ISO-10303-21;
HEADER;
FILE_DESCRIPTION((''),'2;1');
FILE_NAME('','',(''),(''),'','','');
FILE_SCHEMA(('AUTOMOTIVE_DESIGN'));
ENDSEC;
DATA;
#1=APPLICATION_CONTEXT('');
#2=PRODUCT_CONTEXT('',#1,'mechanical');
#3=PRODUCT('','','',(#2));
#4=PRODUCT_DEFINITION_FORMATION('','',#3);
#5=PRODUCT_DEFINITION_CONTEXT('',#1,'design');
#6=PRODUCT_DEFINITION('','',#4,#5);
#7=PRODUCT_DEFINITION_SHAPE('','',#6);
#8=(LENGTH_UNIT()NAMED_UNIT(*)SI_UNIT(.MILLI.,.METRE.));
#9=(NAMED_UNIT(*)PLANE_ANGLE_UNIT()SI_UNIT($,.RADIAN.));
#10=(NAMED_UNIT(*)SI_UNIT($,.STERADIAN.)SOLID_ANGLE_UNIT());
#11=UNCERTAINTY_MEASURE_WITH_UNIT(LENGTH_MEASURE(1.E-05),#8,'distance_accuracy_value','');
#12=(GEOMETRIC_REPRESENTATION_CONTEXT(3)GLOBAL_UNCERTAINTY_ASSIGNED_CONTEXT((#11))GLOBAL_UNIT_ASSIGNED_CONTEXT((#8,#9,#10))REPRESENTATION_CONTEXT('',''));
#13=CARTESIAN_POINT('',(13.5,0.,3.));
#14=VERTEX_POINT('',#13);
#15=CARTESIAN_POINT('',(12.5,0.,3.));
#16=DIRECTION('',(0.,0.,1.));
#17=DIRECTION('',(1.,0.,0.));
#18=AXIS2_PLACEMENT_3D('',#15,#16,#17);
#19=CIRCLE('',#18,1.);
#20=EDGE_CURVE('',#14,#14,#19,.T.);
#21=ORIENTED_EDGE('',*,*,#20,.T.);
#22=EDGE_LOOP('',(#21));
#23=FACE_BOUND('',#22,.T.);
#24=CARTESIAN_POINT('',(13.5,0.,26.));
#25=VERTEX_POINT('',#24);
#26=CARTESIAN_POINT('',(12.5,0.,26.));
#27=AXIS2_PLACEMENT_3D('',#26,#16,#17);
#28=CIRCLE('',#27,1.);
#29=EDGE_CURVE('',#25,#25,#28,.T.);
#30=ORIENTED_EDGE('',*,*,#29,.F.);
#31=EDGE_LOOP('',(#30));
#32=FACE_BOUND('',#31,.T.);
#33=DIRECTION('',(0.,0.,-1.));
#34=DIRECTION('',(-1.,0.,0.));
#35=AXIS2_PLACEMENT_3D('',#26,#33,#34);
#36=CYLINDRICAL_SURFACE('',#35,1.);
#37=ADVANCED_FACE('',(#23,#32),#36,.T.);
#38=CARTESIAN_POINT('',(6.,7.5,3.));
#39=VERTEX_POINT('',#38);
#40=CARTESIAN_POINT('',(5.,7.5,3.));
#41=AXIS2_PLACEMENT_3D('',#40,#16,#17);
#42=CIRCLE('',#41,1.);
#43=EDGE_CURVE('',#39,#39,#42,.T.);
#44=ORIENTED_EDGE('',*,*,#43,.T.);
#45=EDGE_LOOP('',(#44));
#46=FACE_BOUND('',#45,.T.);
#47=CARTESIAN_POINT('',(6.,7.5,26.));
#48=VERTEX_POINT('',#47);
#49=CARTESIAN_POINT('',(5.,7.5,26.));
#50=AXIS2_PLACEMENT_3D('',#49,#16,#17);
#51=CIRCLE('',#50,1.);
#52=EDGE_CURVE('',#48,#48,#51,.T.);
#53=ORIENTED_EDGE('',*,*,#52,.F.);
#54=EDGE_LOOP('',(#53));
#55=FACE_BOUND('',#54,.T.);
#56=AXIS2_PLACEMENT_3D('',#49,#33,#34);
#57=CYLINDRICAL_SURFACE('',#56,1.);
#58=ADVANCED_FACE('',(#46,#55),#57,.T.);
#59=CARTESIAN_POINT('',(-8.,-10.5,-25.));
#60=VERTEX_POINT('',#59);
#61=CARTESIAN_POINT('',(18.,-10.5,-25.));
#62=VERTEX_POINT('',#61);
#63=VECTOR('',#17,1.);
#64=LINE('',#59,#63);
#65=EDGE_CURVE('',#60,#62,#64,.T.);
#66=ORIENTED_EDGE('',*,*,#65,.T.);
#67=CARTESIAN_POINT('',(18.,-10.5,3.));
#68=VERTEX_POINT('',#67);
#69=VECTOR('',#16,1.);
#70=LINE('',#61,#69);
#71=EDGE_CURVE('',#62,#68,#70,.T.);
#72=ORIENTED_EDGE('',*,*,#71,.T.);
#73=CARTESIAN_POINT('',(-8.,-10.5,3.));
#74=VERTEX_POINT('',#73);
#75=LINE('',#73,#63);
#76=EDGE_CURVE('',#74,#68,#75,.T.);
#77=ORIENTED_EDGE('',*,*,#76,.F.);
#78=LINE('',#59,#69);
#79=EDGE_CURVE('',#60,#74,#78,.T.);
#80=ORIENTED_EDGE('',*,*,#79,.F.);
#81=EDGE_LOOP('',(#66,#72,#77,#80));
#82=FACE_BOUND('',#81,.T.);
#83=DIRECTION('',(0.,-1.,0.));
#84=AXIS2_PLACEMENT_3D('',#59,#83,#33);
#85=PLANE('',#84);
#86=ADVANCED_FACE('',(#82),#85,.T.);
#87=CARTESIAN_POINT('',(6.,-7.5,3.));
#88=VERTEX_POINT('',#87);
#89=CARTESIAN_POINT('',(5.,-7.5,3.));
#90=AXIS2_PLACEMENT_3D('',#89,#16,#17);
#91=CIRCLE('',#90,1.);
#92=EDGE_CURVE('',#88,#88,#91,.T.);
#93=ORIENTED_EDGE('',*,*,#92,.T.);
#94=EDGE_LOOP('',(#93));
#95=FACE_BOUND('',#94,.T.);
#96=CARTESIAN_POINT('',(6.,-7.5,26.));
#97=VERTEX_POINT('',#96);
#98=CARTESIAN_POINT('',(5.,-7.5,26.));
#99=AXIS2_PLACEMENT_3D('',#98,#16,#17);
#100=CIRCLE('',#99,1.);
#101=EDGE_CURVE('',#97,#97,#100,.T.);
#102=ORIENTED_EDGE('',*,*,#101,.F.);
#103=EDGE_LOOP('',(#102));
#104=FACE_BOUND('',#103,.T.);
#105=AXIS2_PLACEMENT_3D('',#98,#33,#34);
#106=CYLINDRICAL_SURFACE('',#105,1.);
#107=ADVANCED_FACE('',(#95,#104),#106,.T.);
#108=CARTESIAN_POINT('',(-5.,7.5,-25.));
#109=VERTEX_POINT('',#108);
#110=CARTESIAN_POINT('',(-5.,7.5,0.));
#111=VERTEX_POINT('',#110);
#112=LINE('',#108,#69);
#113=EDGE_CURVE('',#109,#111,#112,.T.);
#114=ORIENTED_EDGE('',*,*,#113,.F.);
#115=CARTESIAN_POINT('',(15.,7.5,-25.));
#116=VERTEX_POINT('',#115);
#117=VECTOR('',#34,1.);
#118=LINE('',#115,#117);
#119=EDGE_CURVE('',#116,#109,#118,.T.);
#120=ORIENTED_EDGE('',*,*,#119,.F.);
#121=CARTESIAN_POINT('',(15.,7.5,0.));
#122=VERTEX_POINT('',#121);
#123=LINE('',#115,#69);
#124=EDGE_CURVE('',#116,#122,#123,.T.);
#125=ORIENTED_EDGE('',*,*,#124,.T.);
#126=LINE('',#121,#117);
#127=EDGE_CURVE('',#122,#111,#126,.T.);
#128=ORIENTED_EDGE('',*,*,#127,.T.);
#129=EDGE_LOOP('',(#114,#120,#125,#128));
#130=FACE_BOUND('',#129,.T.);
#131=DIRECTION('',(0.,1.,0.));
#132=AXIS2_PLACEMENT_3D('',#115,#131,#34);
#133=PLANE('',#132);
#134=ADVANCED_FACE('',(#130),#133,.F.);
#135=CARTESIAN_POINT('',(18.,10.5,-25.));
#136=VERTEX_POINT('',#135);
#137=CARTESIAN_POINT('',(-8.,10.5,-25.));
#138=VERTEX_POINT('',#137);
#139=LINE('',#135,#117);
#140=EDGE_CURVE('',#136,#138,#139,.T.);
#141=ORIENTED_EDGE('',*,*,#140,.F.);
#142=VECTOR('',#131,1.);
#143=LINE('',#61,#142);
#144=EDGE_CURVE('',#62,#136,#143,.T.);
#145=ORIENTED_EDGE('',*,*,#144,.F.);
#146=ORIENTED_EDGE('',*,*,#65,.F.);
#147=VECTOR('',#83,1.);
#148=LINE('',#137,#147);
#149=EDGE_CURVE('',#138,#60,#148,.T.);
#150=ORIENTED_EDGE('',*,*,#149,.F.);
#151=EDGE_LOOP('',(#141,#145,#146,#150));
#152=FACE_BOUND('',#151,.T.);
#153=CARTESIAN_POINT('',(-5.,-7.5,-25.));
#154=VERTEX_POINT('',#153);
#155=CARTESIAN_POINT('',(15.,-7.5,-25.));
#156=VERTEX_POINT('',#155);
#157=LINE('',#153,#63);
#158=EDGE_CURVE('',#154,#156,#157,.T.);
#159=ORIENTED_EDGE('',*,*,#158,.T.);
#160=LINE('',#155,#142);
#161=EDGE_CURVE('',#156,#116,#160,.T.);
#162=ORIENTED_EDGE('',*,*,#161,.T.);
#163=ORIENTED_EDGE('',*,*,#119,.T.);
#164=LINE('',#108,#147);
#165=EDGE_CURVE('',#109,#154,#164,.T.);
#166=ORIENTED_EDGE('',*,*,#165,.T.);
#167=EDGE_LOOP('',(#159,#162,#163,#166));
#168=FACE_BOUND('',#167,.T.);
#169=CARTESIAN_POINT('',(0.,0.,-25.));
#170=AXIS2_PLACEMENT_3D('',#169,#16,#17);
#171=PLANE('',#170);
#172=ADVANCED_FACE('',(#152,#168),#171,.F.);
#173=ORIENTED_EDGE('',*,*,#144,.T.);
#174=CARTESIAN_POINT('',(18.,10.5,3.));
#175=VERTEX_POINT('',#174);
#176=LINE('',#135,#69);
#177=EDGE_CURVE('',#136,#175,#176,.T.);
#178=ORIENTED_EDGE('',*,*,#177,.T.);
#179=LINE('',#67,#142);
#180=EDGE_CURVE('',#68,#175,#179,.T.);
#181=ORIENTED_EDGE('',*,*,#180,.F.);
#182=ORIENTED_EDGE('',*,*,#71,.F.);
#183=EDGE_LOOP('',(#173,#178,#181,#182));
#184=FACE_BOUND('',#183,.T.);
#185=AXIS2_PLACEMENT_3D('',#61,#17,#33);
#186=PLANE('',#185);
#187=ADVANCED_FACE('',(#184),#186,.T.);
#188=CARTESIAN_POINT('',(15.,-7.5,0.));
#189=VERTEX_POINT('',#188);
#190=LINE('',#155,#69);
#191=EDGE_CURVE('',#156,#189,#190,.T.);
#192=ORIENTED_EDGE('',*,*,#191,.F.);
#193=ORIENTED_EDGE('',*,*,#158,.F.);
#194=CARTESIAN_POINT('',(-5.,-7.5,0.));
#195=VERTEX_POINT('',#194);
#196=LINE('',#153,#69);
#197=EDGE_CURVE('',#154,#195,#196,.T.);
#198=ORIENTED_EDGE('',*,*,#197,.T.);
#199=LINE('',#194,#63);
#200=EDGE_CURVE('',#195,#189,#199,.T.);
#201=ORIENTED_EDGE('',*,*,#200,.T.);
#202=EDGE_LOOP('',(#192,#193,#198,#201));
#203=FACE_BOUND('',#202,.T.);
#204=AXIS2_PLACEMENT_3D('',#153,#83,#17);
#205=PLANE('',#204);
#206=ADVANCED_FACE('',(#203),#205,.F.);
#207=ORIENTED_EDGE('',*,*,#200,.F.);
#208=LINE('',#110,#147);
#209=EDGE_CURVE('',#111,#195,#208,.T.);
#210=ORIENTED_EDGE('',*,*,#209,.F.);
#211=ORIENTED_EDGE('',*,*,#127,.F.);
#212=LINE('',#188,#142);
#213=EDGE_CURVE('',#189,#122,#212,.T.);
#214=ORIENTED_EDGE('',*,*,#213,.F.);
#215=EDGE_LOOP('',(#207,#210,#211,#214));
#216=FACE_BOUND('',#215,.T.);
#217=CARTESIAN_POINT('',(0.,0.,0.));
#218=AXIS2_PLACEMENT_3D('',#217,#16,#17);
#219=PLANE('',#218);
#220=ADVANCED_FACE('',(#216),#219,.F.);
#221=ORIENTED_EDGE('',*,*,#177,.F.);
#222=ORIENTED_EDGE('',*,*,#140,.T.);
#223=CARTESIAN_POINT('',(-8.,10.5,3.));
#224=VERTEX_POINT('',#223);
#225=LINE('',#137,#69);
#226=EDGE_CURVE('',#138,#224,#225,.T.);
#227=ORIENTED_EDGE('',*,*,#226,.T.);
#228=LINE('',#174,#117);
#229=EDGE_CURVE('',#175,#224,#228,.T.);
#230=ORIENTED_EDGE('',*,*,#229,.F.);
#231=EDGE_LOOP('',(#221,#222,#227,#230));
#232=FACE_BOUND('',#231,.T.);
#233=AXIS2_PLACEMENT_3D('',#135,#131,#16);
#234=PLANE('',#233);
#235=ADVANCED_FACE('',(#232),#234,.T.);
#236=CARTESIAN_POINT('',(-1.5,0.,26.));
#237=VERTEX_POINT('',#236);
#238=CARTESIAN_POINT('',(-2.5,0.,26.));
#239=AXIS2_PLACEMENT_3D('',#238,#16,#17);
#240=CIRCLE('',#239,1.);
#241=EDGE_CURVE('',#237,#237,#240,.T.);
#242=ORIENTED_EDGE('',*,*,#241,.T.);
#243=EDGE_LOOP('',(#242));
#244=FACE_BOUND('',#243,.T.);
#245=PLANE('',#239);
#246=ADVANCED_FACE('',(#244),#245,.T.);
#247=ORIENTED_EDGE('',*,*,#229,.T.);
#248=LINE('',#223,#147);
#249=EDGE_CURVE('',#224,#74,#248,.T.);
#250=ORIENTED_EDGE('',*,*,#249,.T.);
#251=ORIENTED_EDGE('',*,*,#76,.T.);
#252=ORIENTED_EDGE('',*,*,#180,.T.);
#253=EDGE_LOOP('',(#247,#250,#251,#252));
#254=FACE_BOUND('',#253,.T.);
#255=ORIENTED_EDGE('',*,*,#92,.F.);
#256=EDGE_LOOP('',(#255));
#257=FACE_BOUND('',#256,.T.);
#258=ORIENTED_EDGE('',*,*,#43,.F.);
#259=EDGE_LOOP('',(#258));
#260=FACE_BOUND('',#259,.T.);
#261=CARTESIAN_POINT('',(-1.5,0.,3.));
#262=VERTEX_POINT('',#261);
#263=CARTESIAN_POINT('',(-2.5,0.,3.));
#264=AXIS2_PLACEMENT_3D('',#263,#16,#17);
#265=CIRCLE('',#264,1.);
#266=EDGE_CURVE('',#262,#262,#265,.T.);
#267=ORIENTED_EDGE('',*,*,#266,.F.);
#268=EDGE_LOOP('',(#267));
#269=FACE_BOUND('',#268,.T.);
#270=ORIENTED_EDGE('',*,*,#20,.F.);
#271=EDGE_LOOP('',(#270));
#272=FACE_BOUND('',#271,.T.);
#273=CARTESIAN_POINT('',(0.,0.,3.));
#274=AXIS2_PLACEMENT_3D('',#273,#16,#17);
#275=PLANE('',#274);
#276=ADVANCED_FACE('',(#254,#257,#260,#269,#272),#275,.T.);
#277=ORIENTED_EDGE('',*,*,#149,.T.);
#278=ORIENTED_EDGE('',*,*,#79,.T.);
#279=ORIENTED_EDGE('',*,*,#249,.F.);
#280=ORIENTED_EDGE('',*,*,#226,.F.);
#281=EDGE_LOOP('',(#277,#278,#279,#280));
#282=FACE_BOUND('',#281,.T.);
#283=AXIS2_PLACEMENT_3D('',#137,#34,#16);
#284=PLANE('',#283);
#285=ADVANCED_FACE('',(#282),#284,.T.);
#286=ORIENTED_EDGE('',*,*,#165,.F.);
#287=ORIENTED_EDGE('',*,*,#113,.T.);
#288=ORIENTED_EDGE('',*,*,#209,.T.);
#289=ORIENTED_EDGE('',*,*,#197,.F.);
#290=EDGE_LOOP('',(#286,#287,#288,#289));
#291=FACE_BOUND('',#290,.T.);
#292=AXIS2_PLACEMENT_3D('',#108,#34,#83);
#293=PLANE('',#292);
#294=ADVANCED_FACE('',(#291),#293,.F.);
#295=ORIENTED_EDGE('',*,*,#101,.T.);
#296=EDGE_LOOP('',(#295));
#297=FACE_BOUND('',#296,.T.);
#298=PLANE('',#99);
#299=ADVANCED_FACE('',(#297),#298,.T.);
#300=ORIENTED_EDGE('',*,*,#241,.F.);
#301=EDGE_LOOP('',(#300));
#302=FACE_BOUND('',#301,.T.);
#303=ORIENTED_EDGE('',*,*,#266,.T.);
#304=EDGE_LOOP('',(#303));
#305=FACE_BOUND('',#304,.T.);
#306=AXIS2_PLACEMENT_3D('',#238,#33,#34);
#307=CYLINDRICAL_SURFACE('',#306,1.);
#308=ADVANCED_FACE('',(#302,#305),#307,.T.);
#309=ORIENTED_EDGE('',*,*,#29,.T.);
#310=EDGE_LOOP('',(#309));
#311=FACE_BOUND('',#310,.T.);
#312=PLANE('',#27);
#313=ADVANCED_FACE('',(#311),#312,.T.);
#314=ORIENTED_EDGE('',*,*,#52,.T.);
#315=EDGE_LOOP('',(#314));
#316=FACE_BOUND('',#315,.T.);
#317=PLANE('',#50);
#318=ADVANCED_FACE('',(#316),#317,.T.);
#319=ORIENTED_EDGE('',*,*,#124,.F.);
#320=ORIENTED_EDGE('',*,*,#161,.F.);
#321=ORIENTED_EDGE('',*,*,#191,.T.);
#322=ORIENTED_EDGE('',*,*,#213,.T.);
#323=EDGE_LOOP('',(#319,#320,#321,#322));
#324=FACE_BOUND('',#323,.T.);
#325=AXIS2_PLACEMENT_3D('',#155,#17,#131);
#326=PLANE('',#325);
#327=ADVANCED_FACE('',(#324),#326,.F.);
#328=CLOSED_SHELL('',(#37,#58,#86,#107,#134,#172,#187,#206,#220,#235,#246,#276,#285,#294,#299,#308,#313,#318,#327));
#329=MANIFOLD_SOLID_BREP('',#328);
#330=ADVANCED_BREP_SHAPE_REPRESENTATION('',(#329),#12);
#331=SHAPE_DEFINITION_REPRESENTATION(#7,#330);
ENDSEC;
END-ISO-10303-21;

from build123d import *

# Parameters (mm, degrees)
SKETCH1_W           = 26
SKETCH1_H           = 21
SKETCH1_W_2         = 20
SKETCH1_H_2         = 15
BOSS_EXTRUDE1_DEPTH = 25
SKETCH2_W           = 26
SKETCH2_H           = 21
BOSS_EXTRUDE2_DEPTH = 3
SKETCH3_R           = 1
BOSS_EXTRUDE3_DEPTH = 23


with BuildPart() as part:
    # Sketch1 → Boss-Extrude1 (new body)
    with BuildSketch(Plane.XY):
        with Locations((5, 0)):
            Rectangle(SKETCH1_W, SKETCH1_H)
        with Locations((5, 0)):
            Rectangle(SKETCH1_W_2, SKETCH1_H_2, mode=Mode.SUBTRACT)
    extrude(amount=-BOSS_EXTRUDE1_DEPTH)

    # Sketch2 → Boss-Extrude2 (add)
    with BuildSketch(Plane.XY):
        with Locations((5, 0)):
            Rectangle(SKETCH2_W, SKETCH2_H)
    extrude(amount=BOSS_EXTRUDE2_DEPTH)

    # Sketch3 → Boss-Extrude3 (add)
    with BuildSketch(Plane.XY.offset(3)):
        with Locations((12.5, 0)):
            Circle(SKETCH3_R)
        with Locations((5, -7.5)):
            Circle(SKETCH3_R)
        with Locations((-2.5, 0)):
            Circle(SKETCH3_R)
        with Locations((5, 7.5)):
            Circle(SKETCH3_R)
    extrude(amount=BOSS_EXTRUDE3_DEPTH)


solid = part.part
